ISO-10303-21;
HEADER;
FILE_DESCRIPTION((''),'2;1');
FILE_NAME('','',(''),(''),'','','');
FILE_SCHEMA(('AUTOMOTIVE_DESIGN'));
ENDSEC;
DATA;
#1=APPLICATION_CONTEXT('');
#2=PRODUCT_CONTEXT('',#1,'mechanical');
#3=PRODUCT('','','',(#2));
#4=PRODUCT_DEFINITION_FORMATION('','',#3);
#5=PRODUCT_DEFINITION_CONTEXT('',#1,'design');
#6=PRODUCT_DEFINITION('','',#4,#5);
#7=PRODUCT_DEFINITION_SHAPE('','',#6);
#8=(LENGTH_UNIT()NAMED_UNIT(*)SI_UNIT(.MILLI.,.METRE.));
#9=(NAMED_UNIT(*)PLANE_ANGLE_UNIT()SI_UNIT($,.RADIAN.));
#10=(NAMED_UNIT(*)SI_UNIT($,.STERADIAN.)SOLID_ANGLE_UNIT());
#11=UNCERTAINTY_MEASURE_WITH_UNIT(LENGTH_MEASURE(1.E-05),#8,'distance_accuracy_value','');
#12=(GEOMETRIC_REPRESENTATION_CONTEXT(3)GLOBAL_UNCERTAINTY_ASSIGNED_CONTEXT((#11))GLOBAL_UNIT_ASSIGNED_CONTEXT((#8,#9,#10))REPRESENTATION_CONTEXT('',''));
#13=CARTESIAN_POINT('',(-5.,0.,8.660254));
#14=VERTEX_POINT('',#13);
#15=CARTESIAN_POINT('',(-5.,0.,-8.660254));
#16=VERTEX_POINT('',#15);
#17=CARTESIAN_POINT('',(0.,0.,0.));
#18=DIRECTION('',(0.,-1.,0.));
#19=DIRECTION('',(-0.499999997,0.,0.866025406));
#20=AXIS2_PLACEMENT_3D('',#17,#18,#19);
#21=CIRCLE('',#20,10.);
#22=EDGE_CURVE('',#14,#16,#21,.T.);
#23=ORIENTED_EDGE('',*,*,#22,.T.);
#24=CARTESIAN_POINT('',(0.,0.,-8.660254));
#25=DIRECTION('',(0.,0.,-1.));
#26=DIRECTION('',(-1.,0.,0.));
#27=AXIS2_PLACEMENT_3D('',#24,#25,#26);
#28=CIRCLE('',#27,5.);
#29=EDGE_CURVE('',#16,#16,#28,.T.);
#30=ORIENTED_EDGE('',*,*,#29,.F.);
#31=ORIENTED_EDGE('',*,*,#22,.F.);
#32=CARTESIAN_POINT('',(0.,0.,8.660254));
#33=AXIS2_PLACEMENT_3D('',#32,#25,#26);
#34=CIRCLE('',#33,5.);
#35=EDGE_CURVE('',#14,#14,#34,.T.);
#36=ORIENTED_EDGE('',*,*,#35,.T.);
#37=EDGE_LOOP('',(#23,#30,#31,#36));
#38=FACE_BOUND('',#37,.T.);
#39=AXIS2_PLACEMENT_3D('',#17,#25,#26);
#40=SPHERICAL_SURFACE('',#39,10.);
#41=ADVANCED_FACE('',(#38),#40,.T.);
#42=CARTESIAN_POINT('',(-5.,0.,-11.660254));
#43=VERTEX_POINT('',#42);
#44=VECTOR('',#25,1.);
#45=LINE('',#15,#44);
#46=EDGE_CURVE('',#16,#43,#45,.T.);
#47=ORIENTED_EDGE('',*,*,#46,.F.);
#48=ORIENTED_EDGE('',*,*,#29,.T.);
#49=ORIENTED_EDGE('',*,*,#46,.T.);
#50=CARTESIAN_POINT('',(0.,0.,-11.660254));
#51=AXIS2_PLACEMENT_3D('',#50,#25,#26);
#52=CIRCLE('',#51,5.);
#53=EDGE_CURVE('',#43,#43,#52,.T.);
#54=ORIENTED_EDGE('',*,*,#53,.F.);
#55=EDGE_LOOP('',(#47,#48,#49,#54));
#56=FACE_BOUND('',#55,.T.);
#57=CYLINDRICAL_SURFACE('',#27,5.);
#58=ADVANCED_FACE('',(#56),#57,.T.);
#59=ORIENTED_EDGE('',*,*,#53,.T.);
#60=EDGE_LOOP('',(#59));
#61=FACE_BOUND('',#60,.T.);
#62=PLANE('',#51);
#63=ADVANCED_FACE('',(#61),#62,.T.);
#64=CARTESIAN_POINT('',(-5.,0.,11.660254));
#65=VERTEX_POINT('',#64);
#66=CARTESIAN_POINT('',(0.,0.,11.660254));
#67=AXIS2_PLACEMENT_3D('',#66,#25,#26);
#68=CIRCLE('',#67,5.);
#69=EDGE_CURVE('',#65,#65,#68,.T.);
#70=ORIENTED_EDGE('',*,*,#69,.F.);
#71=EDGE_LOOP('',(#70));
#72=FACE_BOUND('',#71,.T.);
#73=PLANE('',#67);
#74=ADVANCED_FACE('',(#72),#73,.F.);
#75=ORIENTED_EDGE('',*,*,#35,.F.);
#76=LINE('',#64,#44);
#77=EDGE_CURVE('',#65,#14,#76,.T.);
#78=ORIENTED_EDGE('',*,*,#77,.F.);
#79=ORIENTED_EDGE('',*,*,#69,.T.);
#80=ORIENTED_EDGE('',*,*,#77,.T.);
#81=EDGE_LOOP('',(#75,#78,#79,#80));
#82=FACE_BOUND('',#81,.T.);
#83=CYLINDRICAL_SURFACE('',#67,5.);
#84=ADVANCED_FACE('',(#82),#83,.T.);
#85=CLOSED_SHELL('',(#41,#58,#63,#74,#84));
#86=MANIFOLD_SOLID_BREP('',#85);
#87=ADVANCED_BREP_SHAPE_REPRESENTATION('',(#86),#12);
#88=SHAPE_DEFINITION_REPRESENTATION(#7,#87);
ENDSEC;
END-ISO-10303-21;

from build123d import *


with BuildPart() as f1:
    # F0 (on Front) → F1 (revolve)
    with BuildSketch(Plane.XZ):
        with BuildLine():
            Line((0, -10), (0, 10))
            ThreePointArc((0, 10), (-2.58819, 9.659258), (-5, 8.660254))
            ThreePointArc((-5, 8.660254), (-10, 0), (-5, -8.660254))
            ThreePointArc((-5, -8.660254), (-2.58819, -9.659258), (0, -10))
        make_face()
        with BuildLine():
            ThreePointArc((-5, 8.660254), (-2.58819, 9.659258), (0, 10))
            Line((0, 10), (0, 11.660254))
            Line((0, 11.660254), (-5, 11.660254))
            Line((-5, 11.660254), (-5, 8.660254))
        make_face()
        with BuildLine():
            Line((0, -11.660254), (0, -10))
            ThreePointArc((0, -10), (-2.58819, -9.659258), (-5, -8.660254))
            Line((-5, -8.660254), (-5, -11.660254))
            Line((-5, -11.660254), (0, -11.660254))
        make_face()
    revolve(axis=Axis((0, 0, 0.218862), (0, 0, -1)))


solid = f1.part
